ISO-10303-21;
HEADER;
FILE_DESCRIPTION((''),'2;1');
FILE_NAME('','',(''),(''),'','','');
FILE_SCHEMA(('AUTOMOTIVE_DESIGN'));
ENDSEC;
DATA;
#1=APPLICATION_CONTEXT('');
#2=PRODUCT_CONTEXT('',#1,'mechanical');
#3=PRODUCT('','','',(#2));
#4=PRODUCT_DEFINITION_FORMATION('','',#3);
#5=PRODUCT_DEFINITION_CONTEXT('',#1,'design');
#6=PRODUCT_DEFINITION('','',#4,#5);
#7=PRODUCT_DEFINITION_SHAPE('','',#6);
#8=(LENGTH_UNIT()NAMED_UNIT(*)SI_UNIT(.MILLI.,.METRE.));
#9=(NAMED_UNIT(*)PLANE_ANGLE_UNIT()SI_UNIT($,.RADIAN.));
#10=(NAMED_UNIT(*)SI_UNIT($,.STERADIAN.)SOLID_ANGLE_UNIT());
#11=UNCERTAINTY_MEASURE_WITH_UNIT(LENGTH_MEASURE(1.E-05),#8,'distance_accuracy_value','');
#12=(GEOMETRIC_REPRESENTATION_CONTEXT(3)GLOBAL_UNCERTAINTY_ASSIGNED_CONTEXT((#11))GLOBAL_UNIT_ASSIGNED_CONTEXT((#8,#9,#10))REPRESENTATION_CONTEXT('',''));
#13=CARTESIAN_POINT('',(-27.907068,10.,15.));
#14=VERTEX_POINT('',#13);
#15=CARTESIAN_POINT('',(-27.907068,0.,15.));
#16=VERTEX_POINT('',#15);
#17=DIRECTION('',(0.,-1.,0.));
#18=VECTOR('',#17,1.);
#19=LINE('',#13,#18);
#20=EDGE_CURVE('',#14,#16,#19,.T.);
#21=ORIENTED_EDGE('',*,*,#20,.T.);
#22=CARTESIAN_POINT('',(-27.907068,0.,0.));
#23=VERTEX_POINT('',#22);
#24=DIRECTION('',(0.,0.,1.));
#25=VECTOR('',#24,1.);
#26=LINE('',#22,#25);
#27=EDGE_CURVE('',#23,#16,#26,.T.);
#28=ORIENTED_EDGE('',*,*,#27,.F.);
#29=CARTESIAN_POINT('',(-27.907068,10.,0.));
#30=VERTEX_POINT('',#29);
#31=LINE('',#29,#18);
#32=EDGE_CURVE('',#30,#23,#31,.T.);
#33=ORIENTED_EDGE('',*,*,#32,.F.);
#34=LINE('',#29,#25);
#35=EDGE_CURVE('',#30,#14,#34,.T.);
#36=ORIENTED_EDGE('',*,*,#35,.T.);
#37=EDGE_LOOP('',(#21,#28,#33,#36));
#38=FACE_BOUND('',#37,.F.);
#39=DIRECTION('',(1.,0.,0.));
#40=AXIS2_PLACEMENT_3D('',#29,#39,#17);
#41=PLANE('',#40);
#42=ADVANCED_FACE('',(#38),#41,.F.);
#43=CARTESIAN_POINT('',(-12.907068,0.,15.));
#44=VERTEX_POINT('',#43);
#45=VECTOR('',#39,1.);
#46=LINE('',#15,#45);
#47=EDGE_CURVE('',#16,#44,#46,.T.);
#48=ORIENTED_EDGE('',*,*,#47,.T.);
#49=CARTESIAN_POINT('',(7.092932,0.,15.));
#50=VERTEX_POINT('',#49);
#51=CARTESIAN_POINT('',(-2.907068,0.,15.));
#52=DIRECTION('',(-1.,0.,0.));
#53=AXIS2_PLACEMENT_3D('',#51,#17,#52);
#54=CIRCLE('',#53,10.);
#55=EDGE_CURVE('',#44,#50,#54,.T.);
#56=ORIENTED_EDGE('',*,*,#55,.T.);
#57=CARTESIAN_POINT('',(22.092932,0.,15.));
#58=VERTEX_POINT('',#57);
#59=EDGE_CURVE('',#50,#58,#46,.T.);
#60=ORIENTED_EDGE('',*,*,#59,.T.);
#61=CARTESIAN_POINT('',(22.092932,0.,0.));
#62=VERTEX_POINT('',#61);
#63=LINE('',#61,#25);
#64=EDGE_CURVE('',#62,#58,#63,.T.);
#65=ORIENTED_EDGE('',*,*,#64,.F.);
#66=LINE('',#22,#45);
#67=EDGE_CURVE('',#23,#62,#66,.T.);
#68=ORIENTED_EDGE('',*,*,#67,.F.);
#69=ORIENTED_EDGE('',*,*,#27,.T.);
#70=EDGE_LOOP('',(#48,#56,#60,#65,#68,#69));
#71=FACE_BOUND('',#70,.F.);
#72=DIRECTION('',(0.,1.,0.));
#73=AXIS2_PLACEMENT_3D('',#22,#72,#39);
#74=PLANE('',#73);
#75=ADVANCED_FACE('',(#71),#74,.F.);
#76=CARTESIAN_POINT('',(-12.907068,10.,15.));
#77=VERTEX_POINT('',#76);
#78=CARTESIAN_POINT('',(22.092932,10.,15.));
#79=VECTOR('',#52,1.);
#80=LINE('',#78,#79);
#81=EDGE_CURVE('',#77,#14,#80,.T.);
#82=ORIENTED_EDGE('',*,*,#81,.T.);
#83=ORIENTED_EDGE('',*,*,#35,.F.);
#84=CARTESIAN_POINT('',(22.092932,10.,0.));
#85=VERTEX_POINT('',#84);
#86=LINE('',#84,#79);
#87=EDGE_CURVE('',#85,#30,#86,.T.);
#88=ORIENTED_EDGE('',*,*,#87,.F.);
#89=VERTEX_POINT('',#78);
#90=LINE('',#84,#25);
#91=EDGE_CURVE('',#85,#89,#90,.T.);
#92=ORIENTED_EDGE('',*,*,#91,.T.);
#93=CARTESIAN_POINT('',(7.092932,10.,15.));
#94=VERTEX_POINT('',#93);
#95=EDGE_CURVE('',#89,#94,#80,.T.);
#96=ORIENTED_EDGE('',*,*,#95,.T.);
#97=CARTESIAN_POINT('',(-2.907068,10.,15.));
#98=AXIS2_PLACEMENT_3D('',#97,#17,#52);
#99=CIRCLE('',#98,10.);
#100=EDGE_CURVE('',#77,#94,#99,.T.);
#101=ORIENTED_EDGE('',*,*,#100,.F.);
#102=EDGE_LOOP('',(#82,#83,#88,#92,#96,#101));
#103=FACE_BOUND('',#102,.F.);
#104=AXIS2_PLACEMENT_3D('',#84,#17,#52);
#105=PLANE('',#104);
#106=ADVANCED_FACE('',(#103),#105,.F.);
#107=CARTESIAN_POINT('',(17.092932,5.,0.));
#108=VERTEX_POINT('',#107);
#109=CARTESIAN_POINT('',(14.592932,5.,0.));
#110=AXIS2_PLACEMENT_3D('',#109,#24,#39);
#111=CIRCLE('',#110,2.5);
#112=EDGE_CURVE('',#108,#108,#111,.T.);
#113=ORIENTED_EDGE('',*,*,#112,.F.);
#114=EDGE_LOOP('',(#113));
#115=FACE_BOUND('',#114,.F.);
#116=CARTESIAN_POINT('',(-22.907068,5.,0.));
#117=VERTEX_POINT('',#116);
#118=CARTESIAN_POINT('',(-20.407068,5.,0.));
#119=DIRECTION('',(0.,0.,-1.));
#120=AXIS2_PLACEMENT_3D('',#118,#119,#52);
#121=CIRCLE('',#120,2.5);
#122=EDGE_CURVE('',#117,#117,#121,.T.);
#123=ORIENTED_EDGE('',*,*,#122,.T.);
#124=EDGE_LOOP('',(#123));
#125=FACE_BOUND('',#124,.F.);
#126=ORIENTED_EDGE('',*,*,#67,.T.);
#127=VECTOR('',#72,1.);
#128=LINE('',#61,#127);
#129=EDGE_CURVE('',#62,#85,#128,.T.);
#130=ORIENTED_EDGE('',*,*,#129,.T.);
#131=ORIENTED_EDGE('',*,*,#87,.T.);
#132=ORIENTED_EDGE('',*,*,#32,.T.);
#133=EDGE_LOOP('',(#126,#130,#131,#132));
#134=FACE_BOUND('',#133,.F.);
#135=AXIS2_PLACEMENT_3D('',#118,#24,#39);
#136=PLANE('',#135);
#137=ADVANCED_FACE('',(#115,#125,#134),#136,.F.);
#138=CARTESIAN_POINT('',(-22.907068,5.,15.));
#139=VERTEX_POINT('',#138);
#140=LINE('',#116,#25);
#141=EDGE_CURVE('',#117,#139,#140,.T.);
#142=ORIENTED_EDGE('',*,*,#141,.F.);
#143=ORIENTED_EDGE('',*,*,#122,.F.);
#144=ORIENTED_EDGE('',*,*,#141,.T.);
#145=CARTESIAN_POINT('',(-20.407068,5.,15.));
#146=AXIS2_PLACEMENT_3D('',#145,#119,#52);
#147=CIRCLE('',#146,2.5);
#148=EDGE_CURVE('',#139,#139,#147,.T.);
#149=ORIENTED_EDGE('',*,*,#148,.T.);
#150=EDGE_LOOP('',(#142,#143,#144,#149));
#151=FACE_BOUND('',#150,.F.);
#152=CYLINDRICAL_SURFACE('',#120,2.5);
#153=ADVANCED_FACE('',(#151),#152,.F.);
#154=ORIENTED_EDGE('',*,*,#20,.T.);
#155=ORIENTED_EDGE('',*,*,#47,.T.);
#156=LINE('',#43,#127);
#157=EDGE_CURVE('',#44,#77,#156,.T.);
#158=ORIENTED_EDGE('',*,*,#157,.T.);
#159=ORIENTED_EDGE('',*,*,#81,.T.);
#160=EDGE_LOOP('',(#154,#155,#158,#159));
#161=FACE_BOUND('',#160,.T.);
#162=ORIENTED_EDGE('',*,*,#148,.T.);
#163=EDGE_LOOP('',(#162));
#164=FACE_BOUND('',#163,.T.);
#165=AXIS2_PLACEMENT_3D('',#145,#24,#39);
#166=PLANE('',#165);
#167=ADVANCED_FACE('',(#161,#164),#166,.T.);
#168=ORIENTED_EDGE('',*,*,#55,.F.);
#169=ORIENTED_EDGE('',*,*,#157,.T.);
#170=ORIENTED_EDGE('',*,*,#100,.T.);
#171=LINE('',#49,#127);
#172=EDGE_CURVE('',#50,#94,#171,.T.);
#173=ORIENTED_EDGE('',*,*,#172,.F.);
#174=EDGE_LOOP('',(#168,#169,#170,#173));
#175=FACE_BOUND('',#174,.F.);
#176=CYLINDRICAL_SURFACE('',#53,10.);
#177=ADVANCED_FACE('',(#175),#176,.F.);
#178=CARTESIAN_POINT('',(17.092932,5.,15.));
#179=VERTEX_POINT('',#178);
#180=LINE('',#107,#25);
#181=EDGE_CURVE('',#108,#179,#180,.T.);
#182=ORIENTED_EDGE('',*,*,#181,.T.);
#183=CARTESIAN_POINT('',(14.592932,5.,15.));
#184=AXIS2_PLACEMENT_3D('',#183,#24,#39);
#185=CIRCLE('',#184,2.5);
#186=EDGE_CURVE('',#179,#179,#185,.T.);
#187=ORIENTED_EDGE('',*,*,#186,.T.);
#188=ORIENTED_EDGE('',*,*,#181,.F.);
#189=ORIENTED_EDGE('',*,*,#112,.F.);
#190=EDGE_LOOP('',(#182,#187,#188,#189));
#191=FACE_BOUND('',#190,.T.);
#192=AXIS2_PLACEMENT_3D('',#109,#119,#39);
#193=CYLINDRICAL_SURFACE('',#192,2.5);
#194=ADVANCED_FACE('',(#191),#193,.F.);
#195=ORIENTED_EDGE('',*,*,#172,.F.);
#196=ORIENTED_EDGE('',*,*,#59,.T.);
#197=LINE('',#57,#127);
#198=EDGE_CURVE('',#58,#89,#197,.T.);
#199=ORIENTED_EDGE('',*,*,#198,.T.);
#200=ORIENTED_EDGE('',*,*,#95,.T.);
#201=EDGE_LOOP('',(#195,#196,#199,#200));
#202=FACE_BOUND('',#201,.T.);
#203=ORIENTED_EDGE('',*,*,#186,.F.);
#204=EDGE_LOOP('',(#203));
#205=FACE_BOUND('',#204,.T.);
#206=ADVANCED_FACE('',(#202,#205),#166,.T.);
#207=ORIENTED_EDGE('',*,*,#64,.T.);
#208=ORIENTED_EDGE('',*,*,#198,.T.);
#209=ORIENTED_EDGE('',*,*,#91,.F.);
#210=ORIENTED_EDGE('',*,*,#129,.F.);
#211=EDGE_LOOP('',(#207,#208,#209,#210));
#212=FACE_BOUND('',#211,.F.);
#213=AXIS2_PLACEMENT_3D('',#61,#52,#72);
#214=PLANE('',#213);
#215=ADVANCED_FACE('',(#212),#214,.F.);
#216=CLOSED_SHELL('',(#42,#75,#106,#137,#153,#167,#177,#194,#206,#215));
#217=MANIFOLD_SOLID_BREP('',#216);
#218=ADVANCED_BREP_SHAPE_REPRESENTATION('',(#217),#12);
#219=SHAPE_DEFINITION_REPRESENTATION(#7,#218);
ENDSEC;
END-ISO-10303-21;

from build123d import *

# Parameters (mm, degrees)
F0_R     = 2.5
F1_DEPTH = 15
F3_DEPTH = 10


with BuildPart() as f1:
    # F0 (on Top) → F1 (new body)
    with BuildSketch(Plane.XY):
        with BuildLine():
            ThreePointArc((-17.907068, 5), (-20.407068, 7.5), (-22.907068, 5))
            ThreePointArc((-22.907068, 5), (-20.407068, 2.5), (-17.907068, 5))
        make_face()
        with Locations((14.592932, 5)):
            Circle(F0_R)
        Polygon((22.092932, 10), (-27.907068, 10), (-27.907068, 5), (-27.907068, 0), (22.092932, 0), (22.092932, 5), align=None)
        with BuildLine():
            ThreePointArc((-17.907068, 5), (-20.407068, 2.5), (-22.907068, 5))
            ThreePointArc((-22.907068, 5), (-20.407068, 7.5), (-17.907068, 5))
        make_face(mode=Mode.SUBTRACT)
        with Locations((14.592932, 5)):
            Circle(F0_R, mode=Mode.SUBTRACT)
    extrude(amount=F1_DEPTH)

    # F2 (on Front) → F3 (cut)
    with BuildSketch(Plane.XZ):
        with BuildLine():
            Line((7.092932, 15), (-12.907068, 15))
            ThreePointArc((-12.907068, 15), (-2.907068, 5), (7.092932, 15))
        make_face()
    extrude(amount=-F3_DEPTH, mode=Mode.SUBTRACT)


solid = f1.part
